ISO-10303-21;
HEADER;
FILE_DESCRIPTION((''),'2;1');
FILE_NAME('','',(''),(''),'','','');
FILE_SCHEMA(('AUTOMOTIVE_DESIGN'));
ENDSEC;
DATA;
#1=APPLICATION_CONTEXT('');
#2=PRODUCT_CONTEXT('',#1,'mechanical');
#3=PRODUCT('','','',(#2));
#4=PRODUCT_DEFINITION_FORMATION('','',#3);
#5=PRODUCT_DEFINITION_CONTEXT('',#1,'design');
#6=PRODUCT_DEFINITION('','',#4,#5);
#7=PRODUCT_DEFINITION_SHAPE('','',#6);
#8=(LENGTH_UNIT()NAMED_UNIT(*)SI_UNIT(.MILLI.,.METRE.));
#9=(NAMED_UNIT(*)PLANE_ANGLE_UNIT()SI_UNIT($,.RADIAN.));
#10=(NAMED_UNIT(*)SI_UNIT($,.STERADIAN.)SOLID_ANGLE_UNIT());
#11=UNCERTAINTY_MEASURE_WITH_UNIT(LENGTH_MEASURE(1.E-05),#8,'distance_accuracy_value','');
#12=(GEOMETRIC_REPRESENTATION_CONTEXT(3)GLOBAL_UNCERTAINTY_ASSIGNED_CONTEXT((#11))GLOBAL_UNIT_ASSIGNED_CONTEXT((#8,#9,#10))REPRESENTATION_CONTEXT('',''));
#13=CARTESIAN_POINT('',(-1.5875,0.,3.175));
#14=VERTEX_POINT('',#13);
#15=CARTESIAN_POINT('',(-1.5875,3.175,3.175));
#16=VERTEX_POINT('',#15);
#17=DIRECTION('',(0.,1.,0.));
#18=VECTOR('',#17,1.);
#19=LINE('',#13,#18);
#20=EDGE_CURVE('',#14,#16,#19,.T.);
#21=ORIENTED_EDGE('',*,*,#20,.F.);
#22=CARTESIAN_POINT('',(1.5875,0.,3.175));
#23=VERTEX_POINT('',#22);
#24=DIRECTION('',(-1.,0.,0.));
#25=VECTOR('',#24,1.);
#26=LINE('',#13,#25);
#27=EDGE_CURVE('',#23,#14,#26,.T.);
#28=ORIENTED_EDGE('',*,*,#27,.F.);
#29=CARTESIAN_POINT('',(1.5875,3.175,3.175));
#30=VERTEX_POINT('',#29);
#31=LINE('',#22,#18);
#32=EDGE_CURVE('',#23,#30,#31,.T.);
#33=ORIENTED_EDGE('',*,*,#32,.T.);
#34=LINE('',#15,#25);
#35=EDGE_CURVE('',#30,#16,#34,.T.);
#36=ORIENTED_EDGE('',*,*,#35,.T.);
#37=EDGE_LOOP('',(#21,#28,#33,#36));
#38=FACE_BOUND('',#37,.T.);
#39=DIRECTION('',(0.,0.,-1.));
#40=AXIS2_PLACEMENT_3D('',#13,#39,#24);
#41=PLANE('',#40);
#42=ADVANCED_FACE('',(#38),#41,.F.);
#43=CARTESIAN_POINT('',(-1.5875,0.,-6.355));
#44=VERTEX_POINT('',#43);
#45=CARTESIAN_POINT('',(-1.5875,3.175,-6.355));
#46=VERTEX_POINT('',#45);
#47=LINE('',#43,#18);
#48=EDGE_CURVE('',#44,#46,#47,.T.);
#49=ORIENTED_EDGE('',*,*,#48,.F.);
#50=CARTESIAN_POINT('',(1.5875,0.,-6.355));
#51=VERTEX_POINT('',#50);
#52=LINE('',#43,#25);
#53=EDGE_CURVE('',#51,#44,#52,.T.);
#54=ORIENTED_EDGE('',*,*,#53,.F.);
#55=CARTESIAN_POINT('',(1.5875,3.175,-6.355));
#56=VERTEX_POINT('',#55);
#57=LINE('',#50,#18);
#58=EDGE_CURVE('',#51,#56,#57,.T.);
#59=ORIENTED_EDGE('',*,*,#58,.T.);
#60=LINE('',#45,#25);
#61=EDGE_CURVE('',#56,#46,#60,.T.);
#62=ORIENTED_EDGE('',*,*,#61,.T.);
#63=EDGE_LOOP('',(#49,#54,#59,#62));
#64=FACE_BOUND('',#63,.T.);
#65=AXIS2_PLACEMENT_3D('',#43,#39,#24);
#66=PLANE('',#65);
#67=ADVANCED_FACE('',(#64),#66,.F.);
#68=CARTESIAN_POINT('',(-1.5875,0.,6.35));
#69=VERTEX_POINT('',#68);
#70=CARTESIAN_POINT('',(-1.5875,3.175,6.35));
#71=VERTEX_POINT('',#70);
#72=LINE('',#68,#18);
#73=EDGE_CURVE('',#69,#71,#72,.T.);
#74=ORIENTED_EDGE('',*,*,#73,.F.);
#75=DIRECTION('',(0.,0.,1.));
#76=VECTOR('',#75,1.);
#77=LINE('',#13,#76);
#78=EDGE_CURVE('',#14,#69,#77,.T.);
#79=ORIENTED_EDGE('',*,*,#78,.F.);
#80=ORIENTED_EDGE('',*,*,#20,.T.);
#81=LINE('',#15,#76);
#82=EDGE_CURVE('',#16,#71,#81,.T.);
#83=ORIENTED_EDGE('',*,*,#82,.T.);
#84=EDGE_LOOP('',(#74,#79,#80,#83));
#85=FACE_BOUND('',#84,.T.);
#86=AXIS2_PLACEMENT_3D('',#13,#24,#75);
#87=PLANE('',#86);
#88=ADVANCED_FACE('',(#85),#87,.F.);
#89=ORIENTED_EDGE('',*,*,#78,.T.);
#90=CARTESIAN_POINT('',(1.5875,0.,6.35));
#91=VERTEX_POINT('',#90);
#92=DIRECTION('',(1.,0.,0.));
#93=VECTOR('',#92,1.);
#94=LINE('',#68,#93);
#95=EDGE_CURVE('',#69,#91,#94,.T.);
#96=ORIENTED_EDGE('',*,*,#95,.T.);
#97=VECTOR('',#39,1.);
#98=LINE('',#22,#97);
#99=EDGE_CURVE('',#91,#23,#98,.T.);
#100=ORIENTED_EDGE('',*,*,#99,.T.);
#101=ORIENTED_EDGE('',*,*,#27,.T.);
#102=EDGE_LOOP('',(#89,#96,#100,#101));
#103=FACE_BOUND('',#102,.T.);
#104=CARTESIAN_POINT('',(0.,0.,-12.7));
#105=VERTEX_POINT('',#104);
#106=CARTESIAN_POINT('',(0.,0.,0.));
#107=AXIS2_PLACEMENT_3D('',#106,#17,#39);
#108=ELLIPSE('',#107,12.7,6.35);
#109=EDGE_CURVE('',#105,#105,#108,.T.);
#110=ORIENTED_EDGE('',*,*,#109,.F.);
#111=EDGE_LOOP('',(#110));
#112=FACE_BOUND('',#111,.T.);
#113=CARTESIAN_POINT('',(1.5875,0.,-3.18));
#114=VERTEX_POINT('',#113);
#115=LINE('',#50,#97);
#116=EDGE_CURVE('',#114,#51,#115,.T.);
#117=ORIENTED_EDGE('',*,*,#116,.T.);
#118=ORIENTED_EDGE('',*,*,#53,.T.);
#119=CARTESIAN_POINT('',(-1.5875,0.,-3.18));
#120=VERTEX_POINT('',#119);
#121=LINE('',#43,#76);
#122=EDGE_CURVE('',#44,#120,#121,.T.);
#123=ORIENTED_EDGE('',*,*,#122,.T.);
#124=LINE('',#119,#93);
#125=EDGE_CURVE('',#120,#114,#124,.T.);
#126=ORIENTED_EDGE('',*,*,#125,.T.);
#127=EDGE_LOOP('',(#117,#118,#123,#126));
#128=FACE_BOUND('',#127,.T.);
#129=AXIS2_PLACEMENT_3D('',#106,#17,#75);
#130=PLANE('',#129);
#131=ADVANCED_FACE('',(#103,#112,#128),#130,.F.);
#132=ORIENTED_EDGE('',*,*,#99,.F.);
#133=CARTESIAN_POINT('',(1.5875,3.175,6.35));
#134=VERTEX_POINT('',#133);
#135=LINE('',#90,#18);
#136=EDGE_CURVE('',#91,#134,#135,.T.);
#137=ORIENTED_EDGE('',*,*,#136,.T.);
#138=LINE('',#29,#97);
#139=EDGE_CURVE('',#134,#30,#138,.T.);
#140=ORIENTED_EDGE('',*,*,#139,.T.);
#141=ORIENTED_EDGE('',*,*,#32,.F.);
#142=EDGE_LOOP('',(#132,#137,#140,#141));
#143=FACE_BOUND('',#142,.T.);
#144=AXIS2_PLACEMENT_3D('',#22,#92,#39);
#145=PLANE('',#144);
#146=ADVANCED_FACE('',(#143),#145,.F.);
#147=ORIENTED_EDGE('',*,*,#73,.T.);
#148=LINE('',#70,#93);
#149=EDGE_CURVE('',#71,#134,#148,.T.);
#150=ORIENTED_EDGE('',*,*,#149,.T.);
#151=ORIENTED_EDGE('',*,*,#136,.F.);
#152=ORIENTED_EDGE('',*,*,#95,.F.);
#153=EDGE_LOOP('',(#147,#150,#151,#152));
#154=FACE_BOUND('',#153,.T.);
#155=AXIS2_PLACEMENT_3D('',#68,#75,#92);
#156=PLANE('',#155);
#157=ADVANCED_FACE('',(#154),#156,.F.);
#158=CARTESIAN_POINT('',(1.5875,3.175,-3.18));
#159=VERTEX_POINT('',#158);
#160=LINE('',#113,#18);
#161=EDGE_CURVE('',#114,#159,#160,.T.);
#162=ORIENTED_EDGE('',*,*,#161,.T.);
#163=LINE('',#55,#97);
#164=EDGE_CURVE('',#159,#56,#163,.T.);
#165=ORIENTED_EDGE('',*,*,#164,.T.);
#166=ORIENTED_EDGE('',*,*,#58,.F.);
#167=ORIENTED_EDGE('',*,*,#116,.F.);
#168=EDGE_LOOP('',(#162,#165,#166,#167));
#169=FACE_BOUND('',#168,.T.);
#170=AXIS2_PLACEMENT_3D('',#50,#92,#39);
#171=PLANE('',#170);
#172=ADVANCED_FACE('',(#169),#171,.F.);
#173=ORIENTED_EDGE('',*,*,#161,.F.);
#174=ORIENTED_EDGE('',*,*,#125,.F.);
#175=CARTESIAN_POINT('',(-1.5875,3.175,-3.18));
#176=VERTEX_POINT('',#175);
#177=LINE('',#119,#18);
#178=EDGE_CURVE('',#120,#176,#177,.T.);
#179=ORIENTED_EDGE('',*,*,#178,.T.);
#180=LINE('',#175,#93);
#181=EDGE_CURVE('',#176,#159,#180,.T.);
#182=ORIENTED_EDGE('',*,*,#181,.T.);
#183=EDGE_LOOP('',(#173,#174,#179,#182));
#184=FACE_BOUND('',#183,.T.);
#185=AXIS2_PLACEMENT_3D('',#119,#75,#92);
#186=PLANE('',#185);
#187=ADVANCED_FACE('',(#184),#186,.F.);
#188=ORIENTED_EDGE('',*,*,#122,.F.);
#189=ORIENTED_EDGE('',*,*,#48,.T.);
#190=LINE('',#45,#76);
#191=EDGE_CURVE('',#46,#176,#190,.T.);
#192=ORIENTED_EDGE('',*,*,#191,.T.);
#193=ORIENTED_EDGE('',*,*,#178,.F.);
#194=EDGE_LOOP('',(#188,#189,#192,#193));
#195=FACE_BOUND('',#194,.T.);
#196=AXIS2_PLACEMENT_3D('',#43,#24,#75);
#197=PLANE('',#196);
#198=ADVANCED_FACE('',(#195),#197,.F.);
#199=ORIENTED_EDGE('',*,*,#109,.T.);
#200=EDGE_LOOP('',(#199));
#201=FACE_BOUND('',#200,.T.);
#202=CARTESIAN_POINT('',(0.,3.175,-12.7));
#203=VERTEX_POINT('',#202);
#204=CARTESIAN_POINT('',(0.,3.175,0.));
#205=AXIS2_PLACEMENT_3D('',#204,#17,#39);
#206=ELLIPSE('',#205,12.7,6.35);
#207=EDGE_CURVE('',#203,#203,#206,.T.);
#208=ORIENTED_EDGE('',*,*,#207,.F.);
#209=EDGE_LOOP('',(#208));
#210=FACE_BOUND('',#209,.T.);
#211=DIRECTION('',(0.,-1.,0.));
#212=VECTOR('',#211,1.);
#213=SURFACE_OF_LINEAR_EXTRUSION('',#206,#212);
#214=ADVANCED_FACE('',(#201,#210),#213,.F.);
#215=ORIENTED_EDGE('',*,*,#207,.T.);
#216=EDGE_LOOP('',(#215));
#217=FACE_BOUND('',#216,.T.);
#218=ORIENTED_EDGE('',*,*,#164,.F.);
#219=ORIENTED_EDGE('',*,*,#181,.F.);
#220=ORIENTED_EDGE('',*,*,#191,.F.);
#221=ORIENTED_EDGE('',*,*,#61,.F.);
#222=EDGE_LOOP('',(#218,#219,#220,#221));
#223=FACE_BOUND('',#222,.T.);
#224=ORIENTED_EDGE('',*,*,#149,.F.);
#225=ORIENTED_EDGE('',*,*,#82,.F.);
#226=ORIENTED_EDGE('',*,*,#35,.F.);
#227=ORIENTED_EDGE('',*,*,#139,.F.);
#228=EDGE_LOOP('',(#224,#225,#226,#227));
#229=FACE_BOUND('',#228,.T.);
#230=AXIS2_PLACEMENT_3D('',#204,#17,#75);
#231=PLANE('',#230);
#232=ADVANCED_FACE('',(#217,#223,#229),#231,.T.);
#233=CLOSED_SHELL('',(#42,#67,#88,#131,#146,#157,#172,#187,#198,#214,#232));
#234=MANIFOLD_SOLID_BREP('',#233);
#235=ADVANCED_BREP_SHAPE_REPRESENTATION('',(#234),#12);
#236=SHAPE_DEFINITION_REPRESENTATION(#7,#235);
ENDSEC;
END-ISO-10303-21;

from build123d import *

# Parameters (mm, degrees)
SKETCH1_RX          = 12.7
SKETCH1_RY          = 6.35
BOSS_EXTRUDE1_DEPTH = 3.175
SKETCH2_W           = 3.175
SKETCH2_H           = 3.175
CUT_EXTRUDE1_DEPTH  = 4.175


with BuildPart() as part:
    # Sketch1 → Boss-Extrude1 (new body)
    with BuildSketch(Plane(origin=(0, 0, 0), x_dir=(1, 0, 0), z_dir=(0, 1, 0))):
        with Locations(Location((0, 0), (0, 0, 90))):
            Ellipse(SKETCH1_RX, SKETCH1_RY)
    extrude(amount=BOSS_EXTRUDE1_DEPTH)

    # Sketch2 → Cut-Extrude1 (cut, through all)
    with BuildSketch(Plane(origin=(0, 3.175, 0), x_dir=(1, 0, 0), z_dir=(0, 1, 0))):
        with Locations((0, 4.7675)):
            Rectangle(SKETCH2_W, SKETCH2_H)
        with Locations((0, -4.7625)):
            Rectangle(SKETCH2_W, SKETCH2_H)
    extrude(amount=-CUT_EXTRUDE1_DEPTH, mode=Mode.SUBTRACT)


solid = part.part
